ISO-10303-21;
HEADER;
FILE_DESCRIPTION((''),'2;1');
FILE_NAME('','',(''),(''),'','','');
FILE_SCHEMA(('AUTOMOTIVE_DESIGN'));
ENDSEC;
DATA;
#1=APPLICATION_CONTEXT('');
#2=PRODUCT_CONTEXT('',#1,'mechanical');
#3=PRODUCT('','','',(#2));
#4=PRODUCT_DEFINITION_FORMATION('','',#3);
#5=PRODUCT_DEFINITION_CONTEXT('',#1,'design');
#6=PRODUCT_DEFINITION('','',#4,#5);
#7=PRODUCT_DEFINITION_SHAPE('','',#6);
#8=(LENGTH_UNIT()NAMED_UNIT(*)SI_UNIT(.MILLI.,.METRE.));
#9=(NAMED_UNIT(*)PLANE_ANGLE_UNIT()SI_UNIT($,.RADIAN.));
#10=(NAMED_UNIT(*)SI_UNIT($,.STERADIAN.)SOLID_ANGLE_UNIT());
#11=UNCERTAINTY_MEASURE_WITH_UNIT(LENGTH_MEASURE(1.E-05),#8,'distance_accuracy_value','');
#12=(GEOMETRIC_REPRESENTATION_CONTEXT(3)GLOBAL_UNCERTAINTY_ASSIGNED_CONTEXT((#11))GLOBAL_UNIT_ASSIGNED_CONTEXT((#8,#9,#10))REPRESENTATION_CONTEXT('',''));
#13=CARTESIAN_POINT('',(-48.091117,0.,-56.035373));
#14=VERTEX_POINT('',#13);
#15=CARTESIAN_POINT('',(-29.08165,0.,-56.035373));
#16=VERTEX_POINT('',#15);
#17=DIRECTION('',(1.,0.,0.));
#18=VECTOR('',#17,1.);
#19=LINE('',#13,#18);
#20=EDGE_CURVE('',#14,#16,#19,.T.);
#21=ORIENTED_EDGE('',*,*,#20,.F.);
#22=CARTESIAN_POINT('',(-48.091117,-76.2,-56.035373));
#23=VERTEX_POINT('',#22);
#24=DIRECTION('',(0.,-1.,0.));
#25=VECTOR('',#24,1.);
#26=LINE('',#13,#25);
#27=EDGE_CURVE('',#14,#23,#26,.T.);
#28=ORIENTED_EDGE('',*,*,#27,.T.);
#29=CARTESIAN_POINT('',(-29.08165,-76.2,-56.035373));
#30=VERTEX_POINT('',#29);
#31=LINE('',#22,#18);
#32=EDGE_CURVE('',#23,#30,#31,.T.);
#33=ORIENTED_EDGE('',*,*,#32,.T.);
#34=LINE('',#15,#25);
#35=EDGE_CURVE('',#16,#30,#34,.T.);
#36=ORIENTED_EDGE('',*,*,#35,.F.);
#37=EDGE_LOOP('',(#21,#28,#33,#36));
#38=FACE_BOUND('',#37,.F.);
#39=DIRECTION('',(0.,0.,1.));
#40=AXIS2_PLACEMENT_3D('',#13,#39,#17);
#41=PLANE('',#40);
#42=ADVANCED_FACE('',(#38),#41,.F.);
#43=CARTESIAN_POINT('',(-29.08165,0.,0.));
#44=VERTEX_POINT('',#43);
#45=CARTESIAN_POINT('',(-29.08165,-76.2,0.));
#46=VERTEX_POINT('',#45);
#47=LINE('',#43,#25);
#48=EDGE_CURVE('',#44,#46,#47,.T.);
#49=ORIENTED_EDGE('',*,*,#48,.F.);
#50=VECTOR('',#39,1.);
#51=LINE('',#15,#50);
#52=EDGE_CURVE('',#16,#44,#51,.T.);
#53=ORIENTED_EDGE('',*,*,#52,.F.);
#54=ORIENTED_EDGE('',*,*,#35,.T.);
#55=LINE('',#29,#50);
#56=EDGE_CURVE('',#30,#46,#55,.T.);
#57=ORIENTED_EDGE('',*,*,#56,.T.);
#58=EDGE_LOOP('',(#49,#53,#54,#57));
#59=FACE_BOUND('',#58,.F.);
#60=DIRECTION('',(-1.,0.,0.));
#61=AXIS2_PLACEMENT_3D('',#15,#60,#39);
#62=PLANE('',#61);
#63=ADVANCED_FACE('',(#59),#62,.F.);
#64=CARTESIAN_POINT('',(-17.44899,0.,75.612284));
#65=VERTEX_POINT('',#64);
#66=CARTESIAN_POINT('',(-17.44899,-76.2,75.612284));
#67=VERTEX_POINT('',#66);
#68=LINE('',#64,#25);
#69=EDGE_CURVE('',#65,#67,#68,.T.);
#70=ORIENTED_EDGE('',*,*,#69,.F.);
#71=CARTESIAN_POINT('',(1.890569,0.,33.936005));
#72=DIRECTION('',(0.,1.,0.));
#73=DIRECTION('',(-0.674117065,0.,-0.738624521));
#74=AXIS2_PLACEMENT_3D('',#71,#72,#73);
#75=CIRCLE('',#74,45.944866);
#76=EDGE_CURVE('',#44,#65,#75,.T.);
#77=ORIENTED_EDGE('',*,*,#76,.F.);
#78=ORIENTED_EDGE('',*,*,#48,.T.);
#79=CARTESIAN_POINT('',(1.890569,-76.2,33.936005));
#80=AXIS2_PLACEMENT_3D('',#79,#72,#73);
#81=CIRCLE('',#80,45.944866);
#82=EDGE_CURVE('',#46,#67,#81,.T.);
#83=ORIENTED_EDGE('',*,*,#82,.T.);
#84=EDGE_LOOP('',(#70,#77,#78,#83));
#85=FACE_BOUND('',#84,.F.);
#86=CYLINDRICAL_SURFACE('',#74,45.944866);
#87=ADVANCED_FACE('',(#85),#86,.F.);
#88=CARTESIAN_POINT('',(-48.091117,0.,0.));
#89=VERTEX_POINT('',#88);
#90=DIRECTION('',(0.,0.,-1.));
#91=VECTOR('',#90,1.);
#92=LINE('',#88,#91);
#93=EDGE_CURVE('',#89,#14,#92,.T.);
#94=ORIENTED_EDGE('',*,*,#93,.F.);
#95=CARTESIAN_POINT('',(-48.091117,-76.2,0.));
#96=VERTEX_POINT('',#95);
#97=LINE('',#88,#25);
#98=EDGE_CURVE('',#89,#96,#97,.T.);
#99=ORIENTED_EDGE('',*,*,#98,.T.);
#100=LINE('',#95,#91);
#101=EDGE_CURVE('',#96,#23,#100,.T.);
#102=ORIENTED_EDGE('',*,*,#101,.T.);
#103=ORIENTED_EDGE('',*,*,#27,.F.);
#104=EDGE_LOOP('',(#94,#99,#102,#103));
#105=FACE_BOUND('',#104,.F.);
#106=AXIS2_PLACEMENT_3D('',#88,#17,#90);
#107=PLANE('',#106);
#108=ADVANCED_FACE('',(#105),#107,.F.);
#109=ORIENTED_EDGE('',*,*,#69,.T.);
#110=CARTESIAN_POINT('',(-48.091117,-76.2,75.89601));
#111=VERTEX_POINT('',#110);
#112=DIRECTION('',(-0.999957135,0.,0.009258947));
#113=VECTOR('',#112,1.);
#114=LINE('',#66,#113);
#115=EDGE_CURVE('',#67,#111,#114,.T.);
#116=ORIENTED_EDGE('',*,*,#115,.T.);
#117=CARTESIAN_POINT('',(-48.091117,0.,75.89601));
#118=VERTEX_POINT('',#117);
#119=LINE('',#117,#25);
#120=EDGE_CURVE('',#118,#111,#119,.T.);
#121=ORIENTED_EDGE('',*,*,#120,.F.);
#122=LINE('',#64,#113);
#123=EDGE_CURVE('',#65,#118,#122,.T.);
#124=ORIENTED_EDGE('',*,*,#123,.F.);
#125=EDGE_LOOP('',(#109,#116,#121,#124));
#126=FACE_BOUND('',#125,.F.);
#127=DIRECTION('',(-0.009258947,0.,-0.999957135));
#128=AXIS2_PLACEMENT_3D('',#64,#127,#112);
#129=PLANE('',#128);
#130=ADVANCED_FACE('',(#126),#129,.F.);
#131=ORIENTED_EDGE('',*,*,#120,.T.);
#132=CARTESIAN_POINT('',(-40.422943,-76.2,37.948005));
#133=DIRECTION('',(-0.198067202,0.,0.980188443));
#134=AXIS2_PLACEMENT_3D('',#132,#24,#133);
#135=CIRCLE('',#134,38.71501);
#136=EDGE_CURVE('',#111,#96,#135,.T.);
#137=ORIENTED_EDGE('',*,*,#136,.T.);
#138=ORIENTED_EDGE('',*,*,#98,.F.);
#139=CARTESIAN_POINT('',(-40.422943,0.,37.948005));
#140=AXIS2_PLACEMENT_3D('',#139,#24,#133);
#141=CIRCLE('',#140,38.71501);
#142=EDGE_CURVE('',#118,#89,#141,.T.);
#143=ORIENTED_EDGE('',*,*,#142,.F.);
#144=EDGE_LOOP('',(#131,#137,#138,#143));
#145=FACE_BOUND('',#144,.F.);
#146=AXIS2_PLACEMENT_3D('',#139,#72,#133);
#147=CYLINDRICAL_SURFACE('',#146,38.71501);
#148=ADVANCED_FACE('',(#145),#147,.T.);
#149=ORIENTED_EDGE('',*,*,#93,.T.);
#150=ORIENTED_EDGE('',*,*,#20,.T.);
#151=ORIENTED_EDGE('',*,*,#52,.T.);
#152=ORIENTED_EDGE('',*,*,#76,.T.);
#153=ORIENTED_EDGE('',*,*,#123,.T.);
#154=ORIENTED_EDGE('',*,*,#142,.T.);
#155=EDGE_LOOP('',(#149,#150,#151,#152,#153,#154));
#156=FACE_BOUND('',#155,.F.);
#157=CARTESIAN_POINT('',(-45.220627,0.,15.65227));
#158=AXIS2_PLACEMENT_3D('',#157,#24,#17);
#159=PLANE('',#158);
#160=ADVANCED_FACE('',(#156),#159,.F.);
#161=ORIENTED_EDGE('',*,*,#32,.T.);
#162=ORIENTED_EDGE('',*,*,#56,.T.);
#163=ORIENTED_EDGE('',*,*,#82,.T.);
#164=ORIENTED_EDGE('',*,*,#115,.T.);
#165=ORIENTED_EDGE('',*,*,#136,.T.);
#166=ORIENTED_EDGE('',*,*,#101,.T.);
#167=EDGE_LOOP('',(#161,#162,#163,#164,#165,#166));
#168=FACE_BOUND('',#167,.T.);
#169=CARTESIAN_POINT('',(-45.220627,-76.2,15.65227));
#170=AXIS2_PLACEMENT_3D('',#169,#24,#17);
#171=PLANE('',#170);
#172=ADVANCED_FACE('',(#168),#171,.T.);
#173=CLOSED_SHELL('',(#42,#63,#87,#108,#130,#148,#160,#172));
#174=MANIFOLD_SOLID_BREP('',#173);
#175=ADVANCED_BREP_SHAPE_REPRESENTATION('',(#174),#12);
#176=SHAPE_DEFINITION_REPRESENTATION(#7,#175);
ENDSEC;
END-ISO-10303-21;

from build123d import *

# Parameters (mm, degrees)
F1_DEPTH = 76.2


with BuildPart() as f1:
    # F0 (on Front) → F1 (new body)
    with BuildSketch(Plane.XZ):
        with BuildLine():
            Line((-29.08165, -56.035373), (-29.08165, 0))
            ThreePointArc((-29.08165, 0), (-43.520037, 40.922253), (-17.44899, 75.612284))
            Line((-17.44899, 75.612284), (-48.091117, 75.89601))
            ThreePointArc((-48.091117, 75.89601), (-79.137953, 37.948005), (-48.091117, 0))
            Line((-48.091117, 0), (-48.091117, -56.035373))
            Line((-48.091117, -56.035373), (-29.08165, -56.035373))
        make_face()
    extrude(amount=F1_DEPTH)


solid = f1.part
